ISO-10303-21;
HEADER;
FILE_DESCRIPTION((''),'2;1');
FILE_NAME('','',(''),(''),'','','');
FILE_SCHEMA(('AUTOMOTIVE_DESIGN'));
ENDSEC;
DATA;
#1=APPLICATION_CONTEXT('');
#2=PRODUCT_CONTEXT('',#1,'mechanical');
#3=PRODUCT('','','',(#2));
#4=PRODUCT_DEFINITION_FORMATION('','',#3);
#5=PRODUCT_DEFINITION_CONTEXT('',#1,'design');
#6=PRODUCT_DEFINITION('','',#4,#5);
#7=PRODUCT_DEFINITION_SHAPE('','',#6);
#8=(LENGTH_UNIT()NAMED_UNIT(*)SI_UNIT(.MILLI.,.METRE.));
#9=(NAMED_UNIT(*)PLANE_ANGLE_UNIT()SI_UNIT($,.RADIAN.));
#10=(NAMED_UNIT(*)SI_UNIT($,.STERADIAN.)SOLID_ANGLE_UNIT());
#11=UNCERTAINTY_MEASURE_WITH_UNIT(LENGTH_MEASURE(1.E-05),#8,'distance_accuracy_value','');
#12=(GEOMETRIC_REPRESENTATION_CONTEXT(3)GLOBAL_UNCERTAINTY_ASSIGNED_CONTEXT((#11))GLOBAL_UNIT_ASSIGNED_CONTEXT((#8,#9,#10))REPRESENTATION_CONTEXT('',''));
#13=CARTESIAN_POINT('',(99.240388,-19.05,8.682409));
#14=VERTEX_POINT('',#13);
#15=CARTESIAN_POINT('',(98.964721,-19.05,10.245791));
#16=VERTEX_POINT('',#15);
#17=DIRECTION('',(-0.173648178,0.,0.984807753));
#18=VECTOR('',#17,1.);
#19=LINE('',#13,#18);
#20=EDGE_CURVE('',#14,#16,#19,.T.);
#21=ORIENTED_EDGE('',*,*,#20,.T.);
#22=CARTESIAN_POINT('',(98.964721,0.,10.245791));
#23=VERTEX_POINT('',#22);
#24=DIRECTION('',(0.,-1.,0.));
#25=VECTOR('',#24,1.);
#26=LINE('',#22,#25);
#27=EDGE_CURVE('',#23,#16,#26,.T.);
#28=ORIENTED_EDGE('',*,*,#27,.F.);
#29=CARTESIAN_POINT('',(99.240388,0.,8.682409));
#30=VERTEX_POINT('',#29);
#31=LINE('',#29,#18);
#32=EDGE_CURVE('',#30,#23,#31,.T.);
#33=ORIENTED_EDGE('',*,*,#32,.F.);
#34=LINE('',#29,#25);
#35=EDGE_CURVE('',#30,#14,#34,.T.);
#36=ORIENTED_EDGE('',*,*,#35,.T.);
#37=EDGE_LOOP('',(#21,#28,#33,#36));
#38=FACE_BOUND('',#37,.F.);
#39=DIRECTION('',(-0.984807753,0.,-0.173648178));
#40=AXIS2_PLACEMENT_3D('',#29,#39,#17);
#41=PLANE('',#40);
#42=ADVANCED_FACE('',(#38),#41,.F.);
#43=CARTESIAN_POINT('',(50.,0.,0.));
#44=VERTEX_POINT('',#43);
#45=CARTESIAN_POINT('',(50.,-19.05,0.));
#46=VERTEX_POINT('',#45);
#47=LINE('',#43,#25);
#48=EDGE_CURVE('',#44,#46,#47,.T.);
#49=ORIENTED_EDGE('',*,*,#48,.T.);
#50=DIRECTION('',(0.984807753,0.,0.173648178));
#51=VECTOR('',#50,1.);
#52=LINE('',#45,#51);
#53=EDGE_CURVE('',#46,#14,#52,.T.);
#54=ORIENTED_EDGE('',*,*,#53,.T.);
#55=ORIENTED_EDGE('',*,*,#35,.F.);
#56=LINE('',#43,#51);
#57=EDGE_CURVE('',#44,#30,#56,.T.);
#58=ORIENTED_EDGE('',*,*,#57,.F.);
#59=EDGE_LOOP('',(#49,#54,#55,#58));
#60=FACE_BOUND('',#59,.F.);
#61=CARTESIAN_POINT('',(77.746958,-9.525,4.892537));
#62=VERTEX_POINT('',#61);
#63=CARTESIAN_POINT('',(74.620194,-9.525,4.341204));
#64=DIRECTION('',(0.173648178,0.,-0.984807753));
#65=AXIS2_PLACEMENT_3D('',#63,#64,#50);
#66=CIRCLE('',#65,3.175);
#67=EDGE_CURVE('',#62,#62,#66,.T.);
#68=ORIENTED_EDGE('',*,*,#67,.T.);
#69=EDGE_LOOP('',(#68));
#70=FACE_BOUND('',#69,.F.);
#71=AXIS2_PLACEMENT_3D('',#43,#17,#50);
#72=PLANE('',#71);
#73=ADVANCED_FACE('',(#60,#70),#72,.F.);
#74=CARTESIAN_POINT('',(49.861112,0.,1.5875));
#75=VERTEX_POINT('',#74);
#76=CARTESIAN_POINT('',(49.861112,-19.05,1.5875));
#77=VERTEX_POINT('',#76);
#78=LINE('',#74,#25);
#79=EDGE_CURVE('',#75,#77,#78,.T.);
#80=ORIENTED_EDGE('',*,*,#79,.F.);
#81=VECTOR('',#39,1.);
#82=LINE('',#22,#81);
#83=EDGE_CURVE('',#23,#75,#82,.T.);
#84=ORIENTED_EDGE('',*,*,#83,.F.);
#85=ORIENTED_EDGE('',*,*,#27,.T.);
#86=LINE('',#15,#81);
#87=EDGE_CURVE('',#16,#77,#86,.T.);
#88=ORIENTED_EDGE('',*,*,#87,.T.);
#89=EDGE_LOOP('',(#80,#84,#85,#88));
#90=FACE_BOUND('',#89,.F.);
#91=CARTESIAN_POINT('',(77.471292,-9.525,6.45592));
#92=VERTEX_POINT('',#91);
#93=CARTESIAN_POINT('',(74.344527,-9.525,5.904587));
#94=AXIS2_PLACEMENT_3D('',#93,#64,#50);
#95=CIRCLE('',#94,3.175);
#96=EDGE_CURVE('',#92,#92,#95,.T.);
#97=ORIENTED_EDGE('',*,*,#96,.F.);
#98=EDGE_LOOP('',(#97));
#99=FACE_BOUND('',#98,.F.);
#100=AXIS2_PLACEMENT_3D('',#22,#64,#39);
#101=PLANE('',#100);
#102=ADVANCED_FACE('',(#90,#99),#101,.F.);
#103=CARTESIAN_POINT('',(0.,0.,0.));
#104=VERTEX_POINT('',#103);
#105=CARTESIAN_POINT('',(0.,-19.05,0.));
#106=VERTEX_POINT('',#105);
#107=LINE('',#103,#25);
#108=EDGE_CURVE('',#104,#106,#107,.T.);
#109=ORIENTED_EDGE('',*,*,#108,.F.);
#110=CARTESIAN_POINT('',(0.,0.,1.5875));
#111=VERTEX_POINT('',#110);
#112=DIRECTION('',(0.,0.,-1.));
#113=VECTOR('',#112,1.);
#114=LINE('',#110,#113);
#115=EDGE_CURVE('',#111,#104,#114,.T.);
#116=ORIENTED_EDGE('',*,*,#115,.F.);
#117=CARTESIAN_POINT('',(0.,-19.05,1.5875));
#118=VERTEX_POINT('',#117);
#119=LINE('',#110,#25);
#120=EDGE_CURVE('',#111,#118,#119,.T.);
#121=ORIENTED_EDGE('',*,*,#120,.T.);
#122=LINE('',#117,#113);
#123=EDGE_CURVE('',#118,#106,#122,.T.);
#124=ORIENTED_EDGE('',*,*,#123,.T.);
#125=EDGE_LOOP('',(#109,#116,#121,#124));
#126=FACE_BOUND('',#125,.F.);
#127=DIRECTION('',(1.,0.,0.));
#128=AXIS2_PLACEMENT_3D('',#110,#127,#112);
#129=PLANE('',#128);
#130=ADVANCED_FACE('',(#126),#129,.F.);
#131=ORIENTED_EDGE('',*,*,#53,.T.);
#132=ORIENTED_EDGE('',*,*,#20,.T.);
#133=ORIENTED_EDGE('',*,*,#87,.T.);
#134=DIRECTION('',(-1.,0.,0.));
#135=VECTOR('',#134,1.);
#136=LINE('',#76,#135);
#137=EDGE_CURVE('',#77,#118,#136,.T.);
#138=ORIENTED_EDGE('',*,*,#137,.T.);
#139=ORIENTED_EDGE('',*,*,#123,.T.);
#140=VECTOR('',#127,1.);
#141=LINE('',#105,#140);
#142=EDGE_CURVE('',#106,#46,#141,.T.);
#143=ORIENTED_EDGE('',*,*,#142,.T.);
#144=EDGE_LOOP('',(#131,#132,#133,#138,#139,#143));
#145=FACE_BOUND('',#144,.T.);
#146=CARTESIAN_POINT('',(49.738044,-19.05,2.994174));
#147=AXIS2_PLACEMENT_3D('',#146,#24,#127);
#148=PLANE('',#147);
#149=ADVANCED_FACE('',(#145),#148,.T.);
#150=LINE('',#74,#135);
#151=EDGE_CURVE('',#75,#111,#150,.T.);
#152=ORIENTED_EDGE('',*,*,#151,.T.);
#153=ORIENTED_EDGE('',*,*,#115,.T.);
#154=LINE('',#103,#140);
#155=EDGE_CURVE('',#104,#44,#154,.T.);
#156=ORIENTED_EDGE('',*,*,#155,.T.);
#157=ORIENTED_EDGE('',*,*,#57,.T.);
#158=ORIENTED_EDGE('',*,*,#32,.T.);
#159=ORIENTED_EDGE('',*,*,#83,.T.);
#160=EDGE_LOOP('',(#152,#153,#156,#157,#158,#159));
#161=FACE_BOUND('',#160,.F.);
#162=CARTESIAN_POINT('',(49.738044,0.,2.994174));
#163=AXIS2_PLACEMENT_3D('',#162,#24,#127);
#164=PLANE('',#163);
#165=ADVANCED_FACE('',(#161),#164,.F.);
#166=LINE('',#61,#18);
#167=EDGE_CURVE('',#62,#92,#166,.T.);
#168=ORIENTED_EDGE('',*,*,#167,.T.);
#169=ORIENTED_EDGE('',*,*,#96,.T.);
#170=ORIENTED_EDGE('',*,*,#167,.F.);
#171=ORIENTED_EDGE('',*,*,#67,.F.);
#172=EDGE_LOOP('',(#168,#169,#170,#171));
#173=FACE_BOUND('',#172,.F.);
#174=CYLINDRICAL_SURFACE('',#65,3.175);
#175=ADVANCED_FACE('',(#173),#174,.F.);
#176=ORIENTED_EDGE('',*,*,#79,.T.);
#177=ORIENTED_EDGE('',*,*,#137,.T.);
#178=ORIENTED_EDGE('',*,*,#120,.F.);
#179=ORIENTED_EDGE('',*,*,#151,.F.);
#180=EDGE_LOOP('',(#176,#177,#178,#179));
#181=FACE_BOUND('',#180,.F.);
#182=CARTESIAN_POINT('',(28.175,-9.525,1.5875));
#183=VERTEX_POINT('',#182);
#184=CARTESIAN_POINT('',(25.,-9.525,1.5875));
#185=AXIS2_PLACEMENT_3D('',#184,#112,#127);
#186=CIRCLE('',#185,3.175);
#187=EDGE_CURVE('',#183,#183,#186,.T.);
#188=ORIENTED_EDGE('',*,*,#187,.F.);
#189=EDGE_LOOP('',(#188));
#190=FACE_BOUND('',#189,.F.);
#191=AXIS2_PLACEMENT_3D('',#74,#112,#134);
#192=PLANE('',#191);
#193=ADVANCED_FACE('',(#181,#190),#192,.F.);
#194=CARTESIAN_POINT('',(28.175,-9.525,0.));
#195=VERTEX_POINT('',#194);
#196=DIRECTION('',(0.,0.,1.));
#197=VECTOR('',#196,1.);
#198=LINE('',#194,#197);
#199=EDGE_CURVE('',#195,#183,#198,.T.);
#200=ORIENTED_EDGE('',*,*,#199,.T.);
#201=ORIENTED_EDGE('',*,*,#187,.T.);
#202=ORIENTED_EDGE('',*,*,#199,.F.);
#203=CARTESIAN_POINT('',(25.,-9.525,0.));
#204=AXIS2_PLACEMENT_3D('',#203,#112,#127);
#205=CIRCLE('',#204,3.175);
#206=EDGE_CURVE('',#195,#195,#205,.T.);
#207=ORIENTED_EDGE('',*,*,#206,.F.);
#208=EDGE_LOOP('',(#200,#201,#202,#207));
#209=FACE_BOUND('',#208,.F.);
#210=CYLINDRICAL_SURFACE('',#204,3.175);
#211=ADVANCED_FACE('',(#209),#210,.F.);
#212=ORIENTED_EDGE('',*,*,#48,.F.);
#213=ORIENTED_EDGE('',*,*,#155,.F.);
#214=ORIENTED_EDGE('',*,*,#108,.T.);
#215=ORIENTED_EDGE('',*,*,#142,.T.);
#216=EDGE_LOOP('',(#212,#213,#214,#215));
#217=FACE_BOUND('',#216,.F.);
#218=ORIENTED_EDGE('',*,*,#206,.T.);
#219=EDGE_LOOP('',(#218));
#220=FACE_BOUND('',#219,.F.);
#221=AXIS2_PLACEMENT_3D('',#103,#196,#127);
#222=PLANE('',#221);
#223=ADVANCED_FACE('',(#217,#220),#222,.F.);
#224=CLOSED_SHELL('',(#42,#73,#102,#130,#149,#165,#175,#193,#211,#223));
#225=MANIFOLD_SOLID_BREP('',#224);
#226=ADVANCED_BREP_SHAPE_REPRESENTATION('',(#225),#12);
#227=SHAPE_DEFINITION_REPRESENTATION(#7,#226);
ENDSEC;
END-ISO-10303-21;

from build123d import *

# Parameters (mm, degrees)
F1_DEPTH = 19.05
F2_R     = 3.175
F3_DEPTH = 25
F4_R     = 3.175
F5_DEPTH = 25


with BuildPart() as f1:
    # F0 (on Front) → F1 (new body)
    with BuildSketch(Plane.XZ):
        Polygon((0, 1.5875), (0, 0), (50, 0), (99.2403876506, 8.6824088833), (98.9647211686, 10.2457911913), (49.8611117467, 1.5875), align=None)
    extrude(amount=F1_DEPTH)

    # F2 (on face) → F3 (cut)
    with BuildSketch(Plane(origin=(0, 0, 0), x_dir=(1, 0, 0), z_dir=(0, 0, -1))):
        with Locations((25, 9.525)):
            Circle(F2_R)
    extrude(amount=-F3_DEPTH, mode=Mode.SUBTRACT)

    # F4 (on face) → F5 (cut)
    with BuildSketch(Plane(origin=(1.5076844804, 0, -8.5505035831), x_dir=(0.984807753, 0, 0.1736481777), z_dir=(0.1736481777, 0, -0.984807753))):
        with Locations((74.2403876506, 9.525)):
            Circle(F4_R)
    extrude(amount=-F5_DEPTH, mode=Mode.SUBTRACT)


solid = f1.part
